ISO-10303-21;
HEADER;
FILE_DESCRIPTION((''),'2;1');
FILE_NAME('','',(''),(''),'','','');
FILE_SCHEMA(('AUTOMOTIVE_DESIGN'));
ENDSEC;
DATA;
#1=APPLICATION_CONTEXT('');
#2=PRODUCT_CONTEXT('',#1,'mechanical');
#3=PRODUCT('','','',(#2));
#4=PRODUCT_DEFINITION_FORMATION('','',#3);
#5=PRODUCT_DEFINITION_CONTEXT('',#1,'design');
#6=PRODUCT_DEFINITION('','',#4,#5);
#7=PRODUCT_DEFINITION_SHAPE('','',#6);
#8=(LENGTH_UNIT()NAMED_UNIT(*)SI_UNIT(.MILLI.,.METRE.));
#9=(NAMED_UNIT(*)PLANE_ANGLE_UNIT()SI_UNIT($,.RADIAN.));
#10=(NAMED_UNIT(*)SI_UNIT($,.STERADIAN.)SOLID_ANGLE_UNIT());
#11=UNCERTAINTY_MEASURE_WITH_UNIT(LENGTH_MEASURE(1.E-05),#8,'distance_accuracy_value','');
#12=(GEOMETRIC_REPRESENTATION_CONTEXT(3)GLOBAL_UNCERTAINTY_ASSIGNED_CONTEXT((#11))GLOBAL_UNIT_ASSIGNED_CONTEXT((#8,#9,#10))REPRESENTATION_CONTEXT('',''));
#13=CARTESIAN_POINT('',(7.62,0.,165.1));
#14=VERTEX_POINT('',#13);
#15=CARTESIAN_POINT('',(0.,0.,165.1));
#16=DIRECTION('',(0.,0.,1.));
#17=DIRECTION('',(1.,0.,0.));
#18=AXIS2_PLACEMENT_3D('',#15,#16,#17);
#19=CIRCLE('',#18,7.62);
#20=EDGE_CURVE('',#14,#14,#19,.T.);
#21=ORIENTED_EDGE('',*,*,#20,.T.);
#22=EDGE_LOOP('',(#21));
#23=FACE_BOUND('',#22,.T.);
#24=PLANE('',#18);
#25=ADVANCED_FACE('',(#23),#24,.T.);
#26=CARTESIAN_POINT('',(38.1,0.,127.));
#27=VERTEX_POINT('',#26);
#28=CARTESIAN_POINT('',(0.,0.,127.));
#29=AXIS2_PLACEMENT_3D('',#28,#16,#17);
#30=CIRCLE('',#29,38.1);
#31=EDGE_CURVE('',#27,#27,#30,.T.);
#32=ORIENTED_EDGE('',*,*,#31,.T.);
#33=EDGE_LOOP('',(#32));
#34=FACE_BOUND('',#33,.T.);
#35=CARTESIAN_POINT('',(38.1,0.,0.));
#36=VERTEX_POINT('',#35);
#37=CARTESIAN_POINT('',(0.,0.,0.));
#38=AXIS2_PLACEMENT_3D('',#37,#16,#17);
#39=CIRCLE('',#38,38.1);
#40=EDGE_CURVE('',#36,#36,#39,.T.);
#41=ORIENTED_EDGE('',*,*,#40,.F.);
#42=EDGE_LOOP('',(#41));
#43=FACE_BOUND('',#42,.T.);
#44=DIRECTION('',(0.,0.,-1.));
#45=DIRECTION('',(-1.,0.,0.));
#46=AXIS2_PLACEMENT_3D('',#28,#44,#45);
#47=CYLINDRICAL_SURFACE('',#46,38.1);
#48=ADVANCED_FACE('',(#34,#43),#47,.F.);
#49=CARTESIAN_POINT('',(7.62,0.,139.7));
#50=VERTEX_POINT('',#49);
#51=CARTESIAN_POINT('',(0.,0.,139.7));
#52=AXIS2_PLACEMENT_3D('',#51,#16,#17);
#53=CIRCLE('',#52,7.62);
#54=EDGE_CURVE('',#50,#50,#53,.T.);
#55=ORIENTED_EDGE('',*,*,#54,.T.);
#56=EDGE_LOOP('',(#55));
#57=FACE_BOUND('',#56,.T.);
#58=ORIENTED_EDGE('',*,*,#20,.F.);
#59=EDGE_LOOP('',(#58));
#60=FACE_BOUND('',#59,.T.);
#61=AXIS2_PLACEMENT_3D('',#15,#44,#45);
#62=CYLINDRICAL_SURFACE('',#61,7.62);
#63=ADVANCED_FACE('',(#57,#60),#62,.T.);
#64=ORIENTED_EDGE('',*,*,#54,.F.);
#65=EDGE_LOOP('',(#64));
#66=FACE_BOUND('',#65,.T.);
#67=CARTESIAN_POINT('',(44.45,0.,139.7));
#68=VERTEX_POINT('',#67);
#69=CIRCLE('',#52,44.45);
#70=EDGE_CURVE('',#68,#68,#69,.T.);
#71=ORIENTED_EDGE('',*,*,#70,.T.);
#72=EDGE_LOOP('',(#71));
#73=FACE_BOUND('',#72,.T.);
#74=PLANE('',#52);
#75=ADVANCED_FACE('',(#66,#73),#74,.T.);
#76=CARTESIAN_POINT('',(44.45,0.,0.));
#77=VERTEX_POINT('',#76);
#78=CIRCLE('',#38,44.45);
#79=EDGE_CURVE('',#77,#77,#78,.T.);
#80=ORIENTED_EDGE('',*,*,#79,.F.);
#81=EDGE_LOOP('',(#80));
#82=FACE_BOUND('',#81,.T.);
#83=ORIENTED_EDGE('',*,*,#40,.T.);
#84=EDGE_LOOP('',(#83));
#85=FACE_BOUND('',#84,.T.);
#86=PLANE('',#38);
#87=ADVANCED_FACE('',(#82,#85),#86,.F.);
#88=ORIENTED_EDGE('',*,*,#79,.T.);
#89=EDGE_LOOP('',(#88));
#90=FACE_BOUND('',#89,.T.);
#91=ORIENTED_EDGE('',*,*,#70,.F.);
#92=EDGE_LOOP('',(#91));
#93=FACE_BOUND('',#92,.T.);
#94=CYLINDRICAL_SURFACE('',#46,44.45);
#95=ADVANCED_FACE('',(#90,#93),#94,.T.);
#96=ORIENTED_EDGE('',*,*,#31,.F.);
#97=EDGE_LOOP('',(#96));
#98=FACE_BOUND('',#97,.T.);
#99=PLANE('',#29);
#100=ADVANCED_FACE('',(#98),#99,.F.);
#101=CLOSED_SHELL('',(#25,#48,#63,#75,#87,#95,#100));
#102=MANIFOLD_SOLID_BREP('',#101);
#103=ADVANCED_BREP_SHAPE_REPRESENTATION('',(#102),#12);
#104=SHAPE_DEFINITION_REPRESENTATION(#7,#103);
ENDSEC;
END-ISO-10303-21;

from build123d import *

# Parameters (mm, degrees)
SKETCH1_R           = 44.45
SKETCH1_R_2         = 38.1
BOSS_EXTRUDE1_DEPTH = 127
SKETCH2_R           = 44.45
BOSS_EXTRUDE2_DEPTH = 12.7
SKETCH3_R           = 7.62
BOSS_EXTRUDE3_DEPTH = 25.4


with BuildPart() as part:
    # Sketch1 → Boss-Extrude1 (new body)
    with BuildSketch(Plane.XY):
        Circle(SKETCH1_R)
        Circle(SKETCH1_R_2, mode=Mode.SUBTRACT)
    extrude(amount=BOSS_EXTRUDE1_DEPTH)

    # Sketch2 → Boss-Extrude2 (add)
    with BuildSketch(Plane.XY.offset(127)):
        Circle(SKETCH2_R)
    extrude(amount=BOSS_EXTRUDE2_DEPTH)

    # Sketch3 → Boss-Extrude3 (add)
    with BuildSketch(Plane.XY.offset(139.7)):
        Circle(SKETCH3_R)
    extrude(amount=BOSS_EXTRUDE3_DEPTH)


solid = part.part
